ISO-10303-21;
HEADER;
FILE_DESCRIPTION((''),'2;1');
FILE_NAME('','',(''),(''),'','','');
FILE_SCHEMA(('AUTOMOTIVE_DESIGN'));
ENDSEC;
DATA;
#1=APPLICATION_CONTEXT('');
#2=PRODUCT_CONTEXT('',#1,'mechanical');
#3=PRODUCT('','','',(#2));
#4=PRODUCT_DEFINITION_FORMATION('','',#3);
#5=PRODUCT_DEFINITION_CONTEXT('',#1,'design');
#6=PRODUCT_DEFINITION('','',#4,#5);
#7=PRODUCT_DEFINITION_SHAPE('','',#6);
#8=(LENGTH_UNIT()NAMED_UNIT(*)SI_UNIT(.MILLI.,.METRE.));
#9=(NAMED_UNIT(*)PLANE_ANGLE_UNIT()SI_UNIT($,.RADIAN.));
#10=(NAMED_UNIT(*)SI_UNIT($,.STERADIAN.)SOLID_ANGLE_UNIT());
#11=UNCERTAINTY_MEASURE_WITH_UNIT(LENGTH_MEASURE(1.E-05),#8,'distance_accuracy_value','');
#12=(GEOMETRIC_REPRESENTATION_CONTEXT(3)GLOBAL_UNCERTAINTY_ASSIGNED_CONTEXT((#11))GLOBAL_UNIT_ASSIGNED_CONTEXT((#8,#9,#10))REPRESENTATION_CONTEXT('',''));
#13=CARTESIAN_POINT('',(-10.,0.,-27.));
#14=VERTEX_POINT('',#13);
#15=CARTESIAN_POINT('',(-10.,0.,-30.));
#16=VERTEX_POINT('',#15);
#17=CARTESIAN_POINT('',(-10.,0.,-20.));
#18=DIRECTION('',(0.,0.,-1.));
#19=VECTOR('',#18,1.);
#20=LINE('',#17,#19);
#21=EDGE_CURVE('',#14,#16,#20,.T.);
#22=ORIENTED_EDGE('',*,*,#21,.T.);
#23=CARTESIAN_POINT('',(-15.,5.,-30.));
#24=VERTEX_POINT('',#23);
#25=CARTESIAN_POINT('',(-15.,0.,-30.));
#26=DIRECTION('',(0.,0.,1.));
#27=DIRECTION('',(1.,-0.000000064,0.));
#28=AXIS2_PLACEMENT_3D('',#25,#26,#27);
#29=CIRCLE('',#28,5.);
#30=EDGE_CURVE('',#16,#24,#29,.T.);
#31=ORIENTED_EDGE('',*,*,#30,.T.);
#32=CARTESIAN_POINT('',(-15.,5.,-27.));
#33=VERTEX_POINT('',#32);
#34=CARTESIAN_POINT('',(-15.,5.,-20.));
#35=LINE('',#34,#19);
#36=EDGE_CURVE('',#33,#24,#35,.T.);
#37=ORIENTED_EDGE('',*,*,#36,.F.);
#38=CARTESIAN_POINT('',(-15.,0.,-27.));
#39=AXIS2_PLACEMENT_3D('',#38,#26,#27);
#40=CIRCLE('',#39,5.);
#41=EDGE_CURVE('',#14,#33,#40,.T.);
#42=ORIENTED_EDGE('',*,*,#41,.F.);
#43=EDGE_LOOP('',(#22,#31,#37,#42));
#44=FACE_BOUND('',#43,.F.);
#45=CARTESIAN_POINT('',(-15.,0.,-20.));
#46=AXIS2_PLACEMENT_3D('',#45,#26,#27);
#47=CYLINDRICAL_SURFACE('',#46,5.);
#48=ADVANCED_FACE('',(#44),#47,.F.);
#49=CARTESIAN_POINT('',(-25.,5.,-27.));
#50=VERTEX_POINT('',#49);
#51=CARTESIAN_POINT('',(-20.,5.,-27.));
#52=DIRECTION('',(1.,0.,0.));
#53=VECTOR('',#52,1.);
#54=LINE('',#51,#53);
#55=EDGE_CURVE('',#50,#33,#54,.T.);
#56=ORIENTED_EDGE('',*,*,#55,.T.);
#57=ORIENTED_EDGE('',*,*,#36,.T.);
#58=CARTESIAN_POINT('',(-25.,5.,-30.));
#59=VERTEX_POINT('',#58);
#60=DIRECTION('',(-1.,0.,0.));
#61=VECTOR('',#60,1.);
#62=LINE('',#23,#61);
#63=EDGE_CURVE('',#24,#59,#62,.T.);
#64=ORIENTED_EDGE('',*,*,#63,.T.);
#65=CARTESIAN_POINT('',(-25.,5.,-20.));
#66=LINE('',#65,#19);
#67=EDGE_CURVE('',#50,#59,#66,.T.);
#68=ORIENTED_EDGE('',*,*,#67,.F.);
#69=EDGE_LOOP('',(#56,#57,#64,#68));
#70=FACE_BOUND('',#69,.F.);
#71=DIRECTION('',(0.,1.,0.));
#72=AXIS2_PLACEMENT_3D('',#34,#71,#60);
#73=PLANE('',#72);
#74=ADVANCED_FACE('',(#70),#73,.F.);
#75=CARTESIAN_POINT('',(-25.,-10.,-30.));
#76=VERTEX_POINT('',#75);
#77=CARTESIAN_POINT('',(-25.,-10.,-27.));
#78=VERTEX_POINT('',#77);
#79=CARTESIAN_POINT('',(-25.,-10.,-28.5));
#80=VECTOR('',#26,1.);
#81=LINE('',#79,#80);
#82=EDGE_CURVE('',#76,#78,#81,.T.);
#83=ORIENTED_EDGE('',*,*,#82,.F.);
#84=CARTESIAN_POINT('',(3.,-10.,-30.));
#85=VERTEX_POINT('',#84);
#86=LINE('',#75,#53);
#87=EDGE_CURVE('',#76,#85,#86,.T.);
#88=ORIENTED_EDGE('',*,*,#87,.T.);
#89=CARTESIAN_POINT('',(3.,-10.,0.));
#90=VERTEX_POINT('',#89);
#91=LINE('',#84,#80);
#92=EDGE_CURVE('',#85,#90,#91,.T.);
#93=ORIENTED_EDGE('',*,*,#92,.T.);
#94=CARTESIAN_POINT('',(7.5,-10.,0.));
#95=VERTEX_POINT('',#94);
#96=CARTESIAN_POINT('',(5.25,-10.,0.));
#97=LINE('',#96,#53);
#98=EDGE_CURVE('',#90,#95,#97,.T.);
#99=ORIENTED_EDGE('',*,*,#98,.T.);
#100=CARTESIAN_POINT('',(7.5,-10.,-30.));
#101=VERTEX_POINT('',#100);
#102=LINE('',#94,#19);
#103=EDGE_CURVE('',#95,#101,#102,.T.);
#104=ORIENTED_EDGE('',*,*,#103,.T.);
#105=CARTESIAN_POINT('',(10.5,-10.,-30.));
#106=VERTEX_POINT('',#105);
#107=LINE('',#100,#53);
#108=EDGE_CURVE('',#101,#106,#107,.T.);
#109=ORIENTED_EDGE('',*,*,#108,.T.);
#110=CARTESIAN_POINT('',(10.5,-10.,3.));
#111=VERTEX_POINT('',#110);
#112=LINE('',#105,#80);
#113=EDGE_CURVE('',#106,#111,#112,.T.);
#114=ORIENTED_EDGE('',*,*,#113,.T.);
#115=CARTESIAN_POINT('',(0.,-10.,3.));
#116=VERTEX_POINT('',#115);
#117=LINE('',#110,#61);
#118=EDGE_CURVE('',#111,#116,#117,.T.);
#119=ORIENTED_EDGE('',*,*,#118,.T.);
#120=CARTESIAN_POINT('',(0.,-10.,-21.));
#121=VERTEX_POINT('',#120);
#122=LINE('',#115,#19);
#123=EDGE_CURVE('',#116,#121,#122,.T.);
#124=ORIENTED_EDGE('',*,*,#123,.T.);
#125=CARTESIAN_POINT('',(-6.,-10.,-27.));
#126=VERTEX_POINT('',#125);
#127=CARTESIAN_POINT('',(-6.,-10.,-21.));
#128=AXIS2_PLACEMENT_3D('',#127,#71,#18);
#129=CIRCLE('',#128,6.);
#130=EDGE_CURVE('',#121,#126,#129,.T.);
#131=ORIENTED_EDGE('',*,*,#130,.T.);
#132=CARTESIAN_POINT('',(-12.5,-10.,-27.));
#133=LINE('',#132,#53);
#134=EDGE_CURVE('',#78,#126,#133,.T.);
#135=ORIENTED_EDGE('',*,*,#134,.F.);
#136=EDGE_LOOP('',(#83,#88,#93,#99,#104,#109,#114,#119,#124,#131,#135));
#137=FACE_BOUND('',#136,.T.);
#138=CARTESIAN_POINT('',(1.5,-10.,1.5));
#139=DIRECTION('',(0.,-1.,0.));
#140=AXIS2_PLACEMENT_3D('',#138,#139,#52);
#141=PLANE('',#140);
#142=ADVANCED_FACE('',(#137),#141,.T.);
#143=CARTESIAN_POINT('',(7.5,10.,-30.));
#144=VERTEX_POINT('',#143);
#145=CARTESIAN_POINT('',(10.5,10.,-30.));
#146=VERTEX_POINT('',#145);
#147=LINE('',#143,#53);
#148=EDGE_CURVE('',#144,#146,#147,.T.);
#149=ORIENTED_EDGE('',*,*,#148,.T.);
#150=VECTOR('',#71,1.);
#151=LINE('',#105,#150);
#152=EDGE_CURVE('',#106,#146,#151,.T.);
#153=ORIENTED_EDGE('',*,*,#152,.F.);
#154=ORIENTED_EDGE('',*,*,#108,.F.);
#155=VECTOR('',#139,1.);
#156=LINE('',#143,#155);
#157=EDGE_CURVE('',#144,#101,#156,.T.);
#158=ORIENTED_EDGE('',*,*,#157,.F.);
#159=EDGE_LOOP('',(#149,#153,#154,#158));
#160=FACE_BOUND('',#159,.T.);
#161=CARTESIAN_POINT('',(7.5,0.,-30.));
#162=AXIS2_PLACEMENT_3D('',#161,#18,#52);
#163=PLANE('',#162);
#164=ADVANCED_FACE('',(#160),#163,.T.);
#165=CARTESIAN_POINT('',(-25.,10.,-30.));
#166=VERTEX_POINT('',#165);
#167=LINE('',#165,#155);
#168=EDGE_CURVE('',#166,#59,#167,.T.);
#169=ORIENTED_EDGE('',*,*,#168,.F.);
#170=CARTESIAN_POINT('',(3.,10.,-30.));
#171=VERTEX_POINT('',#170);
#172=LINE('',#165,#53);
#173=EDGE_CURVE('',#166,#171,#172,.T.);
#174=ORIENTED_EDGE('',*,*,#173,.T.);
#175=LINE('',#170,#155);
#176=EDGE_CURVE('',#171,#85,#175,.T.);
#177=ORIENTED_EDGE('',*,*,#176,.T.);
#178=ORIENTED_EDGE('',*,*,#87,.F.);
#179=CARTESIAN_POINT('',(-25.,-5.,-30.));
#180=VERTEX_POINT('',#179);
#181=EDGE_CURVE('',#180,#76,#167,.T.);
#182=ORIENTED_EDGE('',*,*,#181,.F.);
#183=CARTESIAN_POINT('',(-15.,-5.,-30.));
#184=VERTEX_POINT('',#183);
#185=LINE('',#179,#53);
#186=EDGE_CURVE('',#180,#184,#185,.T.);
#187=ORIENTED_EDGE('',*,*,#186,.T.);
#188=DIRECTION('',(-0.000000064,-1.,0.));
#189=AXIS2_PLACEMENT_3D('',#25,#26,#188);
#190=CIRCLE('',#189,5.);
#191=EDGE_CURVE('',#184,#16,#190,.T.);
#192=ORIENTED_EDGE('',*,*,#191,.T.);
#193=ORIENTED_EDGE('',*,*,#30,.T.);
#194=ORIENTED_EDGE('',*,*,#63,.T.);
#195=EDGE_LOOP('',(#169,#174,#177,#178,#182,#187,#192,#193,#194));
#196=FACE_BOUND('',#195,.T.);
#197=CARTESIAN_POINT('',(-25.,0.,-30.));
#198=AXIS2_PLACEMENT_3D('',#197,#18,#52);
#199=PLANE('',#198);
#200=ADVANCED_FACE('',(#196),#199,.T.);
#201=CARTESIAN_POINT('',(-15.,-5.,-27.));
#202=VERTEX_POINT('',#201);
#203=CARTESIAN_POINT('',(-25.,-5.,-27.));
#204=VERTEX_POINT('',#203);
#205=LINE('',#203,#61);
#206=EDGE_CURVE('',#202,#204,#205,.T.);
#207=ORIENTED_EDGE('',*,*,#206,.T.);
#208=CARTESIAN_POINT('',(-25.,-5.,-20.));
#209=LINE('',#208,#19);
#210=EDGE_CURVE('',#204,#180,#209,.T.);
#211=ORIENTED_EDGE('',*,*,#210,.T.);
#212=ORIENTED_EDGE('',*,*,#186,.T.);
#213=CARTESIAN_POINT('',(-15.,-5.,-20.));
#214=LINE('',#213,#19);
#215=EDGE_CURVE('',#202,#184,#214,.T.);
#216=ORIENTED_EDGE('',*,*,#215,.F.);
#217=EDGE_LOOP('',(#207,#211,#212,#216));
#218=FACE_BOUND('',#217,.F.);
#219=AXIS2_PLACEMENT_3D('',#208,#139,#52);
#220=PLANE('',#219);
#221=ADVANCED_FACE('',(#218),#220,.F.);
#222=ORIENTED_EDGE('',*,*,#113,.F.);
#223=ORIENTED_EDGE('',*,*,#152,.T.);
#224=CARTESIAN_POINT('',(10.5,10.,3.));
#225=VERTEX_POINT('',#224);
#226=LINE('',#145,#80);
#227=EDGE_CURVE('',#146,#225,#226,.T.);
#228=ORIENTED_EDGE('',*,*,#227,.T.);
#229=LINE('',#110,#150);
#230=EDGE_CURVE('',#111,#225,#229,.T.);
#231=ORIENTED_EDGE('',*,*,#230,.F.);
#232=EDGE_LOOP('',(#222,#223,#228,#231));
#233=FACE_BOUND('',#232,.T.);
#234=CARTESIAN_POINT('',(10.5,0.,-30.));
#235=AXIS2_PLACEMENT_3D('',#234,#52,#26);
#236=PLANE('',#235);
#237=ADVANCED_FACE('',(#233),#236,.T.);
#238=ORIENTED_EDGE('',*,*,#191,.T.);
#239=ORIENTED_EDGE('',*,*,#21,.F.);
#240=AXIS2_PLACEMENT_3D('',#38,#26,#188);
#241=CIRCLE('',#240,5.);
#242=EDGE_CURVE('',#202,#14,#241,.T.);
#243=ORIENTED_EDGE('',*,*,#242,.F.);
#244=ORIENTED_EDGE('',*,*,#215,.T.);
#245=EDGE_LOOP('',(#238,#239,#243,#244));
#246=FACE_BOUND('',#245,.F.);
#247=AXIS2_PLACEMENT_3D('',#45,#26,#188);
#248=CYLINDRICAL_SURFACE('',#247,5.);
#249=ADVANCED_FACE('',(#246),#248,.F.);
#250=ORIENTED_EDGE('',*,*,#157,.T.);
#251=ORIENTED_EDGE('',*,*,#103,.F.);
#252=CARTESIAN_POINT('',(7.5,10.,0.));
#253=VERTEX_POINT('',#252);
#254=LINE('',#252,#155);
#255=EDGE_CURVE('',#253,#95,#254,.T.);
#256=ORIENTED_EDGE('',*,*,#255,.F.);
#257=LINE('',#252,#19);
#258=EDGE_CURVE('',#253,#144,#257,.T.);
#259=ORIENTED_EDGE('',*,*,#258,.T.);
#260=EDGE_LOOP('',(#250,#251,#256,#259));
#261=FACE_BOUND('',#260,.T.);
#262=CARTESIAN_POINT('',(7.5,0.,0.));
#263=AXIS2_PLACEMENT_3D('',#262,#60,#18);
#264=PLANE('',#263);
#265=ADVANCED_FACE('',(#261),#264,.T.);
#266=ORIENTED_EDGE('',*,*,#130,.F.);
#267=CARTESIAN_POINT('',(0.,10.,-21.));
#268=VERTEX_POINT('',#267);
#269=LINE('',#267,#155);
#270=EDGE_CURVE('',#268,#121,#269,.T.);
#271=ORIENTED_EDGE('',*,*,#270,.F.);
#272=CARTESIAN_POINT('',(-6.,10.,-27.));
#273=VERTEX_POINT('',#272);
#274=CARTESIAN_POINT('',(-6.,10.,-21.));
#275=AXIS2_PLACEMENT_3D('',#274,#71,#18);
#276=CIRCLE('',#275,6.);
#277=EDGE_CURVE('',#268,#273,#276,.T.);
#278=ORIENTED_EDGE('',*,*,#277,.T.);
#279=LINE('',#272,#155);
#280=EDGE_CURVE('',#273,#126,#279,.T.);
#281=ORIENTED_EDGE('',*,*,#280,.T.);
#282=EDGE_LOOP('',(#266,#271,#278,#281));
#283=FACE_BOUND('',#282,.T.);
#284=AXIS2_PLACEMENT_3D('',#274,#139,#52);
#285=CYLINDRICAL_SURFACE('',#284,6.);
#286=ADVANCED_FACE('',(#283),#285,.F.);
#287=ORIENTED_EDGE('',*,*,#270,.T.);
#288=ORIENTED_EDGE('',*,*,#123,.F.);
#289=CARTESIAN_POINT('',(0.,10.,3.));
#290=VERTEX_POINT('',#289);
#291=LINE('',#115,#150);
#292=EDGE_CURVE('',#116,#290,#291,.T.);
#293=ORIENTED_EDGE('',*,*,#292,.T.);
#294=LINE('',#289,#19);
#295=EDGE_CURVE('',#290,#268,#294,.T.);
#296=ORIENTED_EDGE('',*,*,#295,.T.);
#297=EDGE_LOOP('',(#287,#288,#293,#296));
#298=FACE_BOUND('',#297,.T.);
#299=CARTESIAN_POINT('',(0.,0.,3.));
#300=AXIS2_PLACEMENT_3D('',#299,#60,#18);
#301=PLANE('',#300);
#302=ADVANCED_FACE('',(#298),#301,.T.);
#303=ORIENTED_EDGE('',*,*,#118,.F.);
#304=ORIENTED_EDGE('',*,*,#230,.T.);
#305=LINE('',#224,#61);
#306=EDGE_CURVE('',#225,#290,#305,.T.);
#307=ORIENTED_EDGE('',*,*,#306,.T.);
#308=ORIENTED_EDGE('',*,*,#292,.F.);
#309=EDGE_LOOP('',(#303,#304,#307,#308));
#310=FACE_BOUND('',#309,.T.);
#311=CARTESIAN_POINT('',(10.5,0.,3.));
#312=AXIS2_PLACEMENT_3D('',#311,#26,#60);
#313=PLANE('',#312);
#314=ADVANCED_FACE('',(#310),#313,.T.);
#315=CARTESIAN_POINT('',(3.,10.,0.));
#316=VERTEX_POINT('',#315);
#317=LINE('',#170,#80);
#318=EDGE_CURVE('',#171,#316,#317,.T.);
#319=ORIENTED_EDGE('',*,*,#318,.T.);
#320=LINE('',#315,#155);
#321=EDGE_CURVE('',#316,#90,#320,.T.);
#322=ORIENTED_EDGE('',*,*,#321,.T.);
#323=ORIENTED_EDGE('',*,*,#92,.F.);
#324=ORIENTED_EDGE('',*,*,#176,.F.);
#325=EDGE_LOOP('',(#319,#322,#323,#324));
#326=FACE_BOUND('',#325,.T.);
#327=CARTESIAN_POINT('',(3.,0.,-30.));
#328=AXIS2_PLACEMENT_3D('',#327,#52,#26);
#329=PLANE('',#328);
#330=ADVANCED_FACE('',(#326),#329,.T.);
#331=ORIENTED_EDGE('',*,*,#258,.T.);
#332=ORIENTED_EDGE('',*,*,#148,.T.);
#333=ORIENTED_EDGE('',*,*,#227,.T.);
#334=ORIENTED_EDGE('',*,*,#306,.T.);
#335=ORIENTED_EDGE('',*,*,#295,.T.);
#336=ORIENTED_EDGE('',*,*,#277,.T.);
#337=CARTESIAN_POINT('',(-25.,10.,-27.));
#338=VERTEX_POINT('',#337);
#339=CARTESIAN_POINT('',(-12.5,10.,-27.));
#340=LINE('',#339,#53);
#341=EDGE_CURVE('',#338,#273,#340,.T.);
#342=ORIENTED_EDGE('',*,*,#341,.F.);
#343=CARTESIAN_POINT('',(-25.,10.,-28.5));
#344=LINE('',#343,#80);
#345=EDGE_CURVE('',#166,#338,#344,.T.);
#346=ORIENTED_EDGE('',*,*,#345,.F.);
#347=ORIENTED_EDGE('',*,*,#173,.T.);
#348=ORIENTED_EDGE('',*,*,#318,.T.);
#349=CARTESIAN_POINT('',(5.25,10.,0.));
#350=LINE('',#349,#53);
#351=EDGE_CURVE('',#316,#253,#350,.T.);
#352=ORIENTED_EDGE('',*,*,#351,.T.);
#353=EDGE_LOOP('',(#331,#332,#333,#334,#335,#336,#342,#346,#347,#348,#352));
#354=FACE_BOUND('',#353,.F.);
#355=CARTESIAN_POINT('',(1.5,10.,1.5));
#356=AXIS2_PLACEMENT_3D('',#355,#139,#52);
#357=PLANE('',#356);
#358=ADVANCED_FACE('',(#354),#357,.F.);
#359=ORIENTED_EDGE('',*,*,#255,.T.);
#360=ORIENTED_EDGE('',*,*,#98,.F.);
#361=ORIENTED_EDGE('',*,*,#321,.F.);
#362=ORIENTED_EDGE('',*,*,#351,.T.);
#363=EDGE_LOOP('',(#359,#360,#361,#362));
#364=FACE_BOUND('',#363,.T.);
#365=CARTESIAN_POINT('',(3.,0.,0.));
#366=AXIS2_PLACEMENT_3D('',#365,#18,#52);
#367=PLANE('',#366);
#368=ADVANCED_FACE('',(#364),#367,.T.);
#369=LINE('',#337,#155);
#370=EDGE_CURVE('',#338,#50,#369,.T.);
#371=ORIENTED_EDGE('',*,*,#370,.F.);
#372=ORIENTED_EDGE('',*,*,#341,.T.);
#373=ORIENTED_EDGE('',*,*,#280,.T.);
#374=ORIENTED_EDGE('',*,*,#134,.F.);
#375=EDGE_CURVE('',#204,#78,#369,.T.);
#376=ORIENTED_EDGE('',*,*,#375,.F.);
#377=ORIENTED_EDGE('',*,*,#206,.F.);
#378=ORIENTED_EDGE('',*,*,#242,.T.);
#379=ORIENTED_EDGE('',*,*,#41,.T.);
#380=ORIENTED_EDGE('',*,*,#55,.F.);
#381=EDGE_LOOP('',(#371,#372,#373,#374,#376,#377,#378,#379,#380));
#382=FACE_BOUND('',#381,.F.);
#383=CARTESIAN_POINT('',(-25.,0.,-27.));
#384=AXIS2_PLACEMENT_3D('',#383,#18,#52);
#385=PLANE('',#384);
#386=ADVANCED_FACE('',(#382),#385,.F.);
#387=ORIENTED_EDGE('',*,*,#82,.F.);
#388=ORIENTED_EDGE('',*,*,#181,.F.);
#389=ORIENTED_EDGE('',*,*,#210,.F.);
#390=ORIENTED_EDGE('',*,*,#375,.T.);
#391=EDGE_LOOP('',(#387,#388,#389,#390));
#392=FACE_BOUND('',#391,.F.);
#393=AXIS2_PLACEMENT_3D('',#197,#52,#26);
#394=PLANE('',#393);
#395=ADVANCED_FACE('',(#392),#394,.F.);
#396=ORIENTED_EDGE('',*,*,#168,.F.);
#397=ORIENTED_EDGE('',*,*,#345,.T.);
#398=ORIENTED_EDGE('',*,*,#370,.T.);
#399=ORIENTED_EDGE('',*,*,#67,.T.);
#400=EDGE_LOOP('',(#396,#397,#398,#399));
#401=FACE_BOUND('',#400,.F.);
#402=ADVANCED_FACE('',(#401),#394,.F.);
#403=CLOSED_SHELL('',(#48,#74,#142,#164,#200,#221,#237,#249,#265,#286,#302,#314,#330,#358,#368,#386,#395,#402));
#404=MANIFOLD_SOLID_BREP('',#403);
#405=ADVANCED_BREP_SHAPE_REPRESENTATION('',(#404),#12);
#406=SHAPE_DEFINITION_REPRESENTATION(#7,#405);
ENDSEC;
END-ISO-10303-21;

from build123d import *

# Parameters (mm, degrees)
F0_W          = 3
F0_H          = 3
F0_W_2        = 4.5
F0_W_3        = 25
F1_DEPTH      = 10
F1_DEPTH_BACK = 10
F4_DEPTH      = 10
F4_DEPTH_BACK = 10
F5_R          = 6


with BuildPart() as f1:
    # F0 (on Front) → F1 (new body, two sides)
    with BuildSketch(Plane.XZ) as f1_sk:
        with Locations((1.5, 1.5)):
            Rectangle(F0_W, F0_H)
        Polygon((3, 0), (0, 0), (0, -27), (0, -30), (3, -30), align=None)
        with Locations((5.25, 1.5)):
            Rectangle(F0_W_2, F0_H)
        with Locations((-12.5, -28.5)):
            Rectangle(F0_W_3, F0_H)
        Polygon((7.5, 3), (7.5, 0), (7.5, -30), (10.5, -30), (10.5, 3), align=None)
    extrude(amount=F1_DEPTH)
    extrude(f1_sk.sketch, amount=-F1_DEPTH_BACK)

    # F3 (on offset) → F4 (cut, two sides)
    with BuildSketch(Plane.XY.offset(-20)) as f4_sk:
        with BuildLine():
            ThreePointArc((-15, -5), (-11.464466, -3.535534), (-10, 0))
            Line((-10, 0), (-25, 0))
            Line((-25, 0), (-25, -5))
            Line((-25, -5), (-15, -5))
        make_face()
        with BuildLine():
            Line((-25, 0), (-10, 0))
            ThreePointArc((-10, 0), (-11.464466, 3.535534), (-15, 5))
            Line((-15, 5), (-25, 5))
            Line((-25, 5), (-25, 0))
        make_face()
    extrude(amount=F4_DEPTH, mode=Mode.SUBTRACT)
    extrude(f4_sk.sketch, amount=-F4_DEPTH_BACK, mode=Mode.SUBTRACT)

    # F5
    f5_edges = [f1.edges().sort_by_distance(p)[0] for p in [
        (0, 0, -27),
    ]]
    fillet(f5_edges, radius=F5_R)


solid = f1.part
